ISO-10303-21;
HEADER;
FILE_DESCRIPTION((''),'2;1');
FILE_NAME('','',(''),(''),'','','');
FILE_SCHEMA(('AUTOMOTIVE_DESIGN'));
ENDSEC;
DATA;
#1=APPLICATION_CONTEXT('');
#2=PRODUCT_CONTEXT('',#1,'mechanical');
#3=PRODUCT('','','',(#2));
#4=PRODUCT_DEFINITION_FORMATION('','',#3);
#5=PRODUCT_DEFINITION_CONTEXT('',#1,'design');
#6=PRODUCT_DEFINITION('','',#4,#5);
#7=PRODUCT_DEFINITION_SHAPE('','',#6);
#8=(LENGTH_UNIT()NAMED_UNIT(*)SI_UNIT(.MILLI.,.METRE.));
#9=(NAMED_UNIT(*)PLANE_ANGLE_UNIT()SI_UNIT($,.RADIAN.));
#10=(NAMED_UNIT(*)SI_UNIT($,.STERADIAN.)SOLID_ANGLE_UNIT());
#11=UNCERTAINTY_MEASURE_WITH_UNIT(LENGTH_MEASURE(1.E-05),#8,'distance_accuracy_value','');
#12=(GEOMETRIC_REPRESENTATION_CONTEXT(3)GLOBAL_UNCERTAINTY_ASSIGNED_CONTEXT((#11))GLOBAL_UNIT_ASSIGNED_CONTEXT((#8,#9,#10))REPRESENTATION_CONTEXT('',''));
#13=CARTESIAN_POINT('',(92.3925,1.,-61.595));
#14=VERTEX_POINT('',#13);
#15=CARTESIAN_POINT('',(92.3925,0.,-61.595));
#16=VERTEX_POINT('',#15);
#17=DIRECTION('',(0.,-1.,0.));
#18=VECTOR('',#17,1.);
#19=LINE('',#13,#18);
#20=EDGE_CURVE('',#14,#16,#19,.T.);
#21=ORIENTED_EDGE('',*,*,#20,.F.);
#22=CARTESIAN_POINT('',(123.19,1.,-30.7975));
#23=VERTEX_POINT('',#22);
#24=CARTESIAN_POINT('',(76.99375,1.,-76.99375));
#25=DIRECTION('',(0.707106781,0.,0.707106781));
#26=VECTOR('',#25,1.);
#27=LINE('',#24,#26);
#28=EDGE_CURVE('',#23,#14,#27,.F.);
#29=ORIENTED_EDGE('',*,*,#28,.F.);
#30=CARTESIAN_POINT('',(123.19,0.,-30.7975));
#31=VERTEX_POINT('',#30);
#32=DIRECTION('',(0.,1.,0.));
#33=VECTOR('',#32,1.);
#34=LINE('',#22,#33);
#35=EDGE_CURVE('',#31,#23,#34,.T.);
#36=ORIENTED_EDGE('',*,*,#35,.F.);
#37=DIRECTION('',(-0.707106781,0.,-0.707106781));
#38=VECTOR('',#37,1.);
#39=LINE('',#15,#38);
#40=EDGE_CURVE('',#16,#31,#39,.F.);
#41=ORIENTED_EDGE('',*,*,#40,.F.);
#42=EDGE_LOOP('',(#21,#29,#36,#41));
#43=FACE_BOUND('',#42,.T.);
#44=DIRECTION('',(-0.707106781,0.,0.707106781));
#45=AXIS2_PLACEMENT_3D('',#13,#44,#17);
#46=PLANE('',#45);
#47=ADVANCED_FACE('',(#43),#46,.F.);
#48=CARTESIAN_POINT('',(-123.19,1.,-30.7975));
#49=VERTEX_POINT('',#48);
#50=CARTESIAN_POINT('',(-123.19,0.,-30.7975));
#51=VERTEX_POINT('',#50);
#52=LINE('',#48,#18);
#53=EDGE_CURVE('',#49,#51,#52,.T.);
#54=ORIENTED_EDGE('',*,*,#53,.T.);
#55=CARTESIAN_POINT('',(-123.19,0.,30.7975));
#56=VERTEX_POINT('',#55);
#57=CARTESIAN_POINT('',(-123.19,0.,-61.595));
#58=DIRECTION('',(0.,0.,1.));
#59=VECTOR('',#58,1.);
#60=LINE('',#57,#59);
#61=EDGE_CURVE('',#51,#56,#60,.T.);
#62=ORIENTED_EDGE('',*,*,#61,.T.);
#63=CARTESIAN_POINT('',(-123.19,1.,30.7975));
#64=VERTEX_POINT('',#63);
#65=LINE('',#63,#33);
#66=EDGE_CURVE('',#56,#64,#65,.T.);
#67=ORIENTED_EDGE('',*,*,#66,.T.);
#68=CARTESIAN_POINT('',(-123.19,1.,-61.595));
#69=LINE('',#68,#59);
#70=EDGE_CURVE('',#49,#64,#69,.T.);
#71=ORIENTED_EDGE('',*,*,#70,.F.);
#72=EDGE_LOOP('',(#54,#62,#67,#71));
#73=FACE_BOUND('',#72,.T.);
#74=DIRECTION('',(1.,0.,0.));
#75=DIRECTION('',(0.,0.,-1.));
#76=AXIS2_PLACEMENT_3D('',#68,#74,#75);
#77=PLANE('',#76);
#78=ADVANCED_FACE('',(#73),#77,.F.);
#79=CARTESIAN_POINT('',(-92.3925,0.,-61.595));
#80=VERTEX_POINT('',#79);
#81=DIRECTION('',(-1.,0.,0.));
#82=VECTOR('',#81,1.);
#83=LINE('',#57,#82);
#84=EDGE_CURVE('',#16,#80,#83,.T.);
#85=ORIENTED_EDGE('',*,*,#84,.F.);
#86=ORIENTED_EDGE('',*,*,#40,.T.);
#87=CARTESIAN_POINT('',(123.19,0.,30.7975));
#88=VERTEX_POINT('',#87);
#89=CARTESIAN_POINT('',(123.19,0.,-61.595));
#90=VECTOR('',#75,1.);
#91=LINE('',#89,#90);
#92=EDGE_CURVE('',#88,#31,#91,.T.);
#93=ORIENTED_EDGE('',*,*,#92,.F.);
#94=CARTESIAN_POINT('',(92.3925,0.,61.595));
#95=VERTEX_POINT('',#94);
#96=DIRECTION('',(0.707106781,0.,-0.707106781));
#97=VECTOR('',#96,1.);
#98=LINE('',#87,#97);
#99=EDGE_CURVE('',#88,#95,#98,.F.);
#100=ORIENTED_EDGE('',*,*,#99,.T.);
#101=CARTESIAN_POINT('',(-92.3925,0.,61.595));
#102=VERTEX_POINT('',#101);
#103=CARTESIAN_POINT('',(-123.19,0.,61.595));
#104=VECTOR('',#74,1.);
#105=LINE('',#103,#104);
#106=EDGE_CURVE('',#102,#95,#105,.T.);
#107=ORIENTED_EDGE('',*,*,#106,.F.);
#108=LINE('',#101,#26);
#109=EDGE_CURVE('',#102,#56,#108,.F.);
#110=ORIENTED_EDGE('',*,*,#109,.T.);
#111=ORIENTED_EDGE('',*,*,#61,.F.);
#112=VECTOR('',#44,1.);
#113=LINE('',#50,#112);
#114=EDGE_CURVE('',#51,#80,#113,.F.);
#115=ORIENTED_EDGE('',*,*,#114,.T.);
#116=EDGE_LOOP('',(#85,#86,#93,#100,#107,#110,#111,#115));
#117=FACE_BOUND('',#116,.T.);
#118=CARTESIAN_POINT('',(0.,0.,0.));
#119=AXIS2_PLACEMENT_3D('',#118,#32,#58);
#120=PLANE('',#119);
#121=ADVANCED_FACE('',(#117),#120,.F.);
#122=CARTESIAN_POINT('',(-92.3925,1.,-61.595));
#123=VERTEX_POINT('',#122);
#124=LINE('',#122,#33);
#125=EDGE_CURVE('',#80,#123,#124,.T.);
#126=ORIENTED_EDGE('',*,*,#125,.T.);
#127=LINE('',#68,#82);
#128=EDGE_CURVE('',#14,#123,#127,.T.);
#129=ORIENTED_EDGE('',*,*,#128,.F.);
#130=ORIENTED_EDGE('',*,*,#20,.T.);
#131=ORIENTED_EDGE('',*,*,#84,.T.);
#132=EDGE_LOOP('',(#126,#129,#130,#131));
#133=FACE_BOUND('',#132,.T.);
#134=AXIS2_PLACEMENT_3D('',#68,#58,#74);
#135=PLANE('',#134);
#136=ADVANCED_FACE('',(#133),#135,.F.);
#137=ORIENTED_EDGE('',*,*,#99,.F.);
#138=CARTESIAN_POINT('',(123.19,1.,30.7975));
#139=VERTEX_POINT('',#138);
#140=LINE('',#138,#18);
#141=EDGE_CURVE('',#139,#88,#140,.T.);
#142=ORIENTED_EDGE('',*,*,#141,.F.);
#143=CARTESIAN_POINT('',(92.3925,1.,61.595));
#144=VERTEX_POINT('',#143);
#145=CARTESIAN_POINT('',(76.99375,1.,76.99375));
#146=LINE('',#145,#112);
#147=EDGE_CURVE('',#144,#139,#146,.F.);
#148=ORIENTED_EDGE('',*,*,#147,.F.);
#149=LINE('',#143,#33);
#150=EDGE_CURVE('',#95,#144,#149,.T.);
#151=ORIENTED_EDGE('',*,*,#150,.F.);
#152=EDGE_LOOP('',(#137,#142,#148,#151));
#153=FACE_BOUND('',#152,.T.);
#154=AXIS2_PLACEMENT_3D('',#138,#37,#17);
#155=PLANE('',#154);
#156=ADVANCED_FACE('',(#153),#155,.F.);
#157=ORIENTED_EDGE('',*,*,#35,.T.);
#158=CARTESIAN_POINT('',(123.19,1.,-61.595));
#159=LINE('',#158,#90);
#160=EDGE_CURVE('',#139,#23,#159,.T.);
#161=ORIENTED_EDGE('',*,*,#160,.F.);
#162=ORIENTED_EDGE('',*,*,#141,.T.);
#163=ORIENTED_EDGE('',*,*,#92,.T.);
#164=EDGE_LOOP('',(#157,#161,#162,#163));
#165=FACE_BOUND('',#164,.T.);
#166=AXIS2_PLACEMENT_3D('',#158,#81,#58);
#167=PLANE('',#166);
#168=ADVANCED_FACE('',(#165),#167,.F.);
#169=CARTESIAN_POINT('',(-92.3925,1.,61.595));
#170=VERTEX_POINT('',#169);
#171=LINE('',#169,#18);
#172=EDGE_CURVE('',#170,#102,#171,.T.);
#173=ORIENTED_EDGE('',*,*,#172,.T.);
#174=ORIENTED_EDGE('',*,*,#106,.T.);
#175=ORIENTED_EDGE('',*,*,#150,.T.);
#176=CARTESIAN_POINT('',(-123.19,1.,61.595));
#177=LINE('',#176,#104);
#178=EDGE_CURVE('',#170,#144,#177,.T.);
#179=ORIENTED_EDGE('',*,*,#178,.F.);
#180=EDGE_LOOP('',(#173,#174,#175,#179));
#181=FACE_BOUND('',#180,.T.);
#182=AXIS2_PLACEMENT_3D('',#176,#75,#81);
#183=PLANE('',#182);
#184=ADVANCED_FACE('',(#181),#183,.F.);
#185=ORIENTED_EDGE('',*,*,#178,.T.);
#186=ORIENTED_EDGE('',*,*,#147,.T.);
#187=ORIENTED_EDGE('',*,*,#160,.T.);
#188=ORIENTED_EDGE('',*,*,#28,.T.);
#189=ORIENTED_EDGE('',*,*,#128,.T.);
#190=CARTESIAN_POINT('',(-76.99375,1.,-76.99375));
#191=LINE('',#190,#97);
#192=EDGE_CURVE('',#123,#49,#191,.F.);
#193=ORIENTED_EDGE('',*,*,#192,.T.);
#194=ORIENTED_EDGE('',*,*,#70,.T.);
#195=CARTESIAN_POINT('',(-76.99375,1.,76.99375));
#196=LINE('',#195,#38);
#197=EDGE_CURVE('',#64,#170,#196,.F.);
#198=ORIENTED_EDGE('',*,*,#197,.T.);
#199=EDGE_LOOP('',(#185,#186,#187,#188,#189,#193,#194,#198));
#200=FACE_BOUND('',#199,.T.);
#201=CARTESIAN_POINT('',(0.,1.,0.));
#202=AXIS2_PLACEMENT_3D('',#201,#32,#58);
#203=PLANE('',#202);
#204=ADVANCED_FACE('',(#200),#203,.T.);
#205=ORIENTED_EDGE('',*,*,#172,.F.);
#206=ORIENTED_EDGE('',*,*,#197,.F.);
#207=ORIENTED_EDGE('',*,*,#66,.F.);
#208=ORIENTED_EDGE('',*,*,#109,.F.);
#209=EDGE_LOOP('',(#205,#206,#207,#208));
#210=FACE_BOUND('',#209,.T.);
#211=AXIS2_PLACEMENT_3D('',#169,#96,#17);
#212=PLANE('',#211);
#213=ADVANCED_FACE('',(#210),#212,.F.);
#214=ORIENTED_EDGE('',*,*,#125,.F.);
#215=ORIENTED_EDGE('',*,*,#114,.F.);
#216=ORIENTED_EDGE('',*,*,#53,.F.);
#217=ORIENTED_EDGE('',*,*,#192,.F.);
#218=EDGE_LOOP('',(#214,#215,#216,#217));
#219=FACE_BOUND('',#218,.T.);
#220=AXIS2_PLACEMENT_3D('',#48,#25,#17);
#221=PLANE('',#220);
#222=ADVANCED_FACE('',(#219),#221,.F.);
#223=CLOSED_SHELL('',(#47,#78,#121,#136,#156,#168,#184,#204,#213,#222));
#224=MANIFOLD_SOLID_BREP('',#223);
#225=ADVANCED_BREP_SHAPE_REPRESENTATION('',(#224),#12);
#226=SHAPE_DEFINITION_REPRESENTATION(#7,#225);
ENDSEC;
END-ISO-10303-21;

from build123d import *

# Parameters (mm, degrees)
SKETCH1_W           = 246.38
SKETCH1_H           = 123.19
BOSS_EXTRUDE1_DEPTH = 1
CHAMFER1_SIZE       = 30.7975


with BuildPart() as part:
    # Sketch1 → Boss-Extrude1 (new body)
    with BuildSketch(Plane(origin=(0, 0, 0), x_dir=(1, 0, 0), z_dir=(0, 1, 0))):
        Rectangle(SKETCH1_W, SKETCH1_H)
    extrude(amount=BOSS_EXTRUDE1_DEPTH)

    # Chamfer1
    chamfer1_edges = [part.edges().sort_by_distance(p)[0] for p in [
        (123.19, 0.5, 61.595),
        (-123.19, 0.5, 61.595),
        (-123.19, 0.5, -61.595),
        (123.19, 0.5, -61.595),
    ]]
    chamfer(chamfer1_edges, length=CHAMFER1_SIZE)


solid = part.part
